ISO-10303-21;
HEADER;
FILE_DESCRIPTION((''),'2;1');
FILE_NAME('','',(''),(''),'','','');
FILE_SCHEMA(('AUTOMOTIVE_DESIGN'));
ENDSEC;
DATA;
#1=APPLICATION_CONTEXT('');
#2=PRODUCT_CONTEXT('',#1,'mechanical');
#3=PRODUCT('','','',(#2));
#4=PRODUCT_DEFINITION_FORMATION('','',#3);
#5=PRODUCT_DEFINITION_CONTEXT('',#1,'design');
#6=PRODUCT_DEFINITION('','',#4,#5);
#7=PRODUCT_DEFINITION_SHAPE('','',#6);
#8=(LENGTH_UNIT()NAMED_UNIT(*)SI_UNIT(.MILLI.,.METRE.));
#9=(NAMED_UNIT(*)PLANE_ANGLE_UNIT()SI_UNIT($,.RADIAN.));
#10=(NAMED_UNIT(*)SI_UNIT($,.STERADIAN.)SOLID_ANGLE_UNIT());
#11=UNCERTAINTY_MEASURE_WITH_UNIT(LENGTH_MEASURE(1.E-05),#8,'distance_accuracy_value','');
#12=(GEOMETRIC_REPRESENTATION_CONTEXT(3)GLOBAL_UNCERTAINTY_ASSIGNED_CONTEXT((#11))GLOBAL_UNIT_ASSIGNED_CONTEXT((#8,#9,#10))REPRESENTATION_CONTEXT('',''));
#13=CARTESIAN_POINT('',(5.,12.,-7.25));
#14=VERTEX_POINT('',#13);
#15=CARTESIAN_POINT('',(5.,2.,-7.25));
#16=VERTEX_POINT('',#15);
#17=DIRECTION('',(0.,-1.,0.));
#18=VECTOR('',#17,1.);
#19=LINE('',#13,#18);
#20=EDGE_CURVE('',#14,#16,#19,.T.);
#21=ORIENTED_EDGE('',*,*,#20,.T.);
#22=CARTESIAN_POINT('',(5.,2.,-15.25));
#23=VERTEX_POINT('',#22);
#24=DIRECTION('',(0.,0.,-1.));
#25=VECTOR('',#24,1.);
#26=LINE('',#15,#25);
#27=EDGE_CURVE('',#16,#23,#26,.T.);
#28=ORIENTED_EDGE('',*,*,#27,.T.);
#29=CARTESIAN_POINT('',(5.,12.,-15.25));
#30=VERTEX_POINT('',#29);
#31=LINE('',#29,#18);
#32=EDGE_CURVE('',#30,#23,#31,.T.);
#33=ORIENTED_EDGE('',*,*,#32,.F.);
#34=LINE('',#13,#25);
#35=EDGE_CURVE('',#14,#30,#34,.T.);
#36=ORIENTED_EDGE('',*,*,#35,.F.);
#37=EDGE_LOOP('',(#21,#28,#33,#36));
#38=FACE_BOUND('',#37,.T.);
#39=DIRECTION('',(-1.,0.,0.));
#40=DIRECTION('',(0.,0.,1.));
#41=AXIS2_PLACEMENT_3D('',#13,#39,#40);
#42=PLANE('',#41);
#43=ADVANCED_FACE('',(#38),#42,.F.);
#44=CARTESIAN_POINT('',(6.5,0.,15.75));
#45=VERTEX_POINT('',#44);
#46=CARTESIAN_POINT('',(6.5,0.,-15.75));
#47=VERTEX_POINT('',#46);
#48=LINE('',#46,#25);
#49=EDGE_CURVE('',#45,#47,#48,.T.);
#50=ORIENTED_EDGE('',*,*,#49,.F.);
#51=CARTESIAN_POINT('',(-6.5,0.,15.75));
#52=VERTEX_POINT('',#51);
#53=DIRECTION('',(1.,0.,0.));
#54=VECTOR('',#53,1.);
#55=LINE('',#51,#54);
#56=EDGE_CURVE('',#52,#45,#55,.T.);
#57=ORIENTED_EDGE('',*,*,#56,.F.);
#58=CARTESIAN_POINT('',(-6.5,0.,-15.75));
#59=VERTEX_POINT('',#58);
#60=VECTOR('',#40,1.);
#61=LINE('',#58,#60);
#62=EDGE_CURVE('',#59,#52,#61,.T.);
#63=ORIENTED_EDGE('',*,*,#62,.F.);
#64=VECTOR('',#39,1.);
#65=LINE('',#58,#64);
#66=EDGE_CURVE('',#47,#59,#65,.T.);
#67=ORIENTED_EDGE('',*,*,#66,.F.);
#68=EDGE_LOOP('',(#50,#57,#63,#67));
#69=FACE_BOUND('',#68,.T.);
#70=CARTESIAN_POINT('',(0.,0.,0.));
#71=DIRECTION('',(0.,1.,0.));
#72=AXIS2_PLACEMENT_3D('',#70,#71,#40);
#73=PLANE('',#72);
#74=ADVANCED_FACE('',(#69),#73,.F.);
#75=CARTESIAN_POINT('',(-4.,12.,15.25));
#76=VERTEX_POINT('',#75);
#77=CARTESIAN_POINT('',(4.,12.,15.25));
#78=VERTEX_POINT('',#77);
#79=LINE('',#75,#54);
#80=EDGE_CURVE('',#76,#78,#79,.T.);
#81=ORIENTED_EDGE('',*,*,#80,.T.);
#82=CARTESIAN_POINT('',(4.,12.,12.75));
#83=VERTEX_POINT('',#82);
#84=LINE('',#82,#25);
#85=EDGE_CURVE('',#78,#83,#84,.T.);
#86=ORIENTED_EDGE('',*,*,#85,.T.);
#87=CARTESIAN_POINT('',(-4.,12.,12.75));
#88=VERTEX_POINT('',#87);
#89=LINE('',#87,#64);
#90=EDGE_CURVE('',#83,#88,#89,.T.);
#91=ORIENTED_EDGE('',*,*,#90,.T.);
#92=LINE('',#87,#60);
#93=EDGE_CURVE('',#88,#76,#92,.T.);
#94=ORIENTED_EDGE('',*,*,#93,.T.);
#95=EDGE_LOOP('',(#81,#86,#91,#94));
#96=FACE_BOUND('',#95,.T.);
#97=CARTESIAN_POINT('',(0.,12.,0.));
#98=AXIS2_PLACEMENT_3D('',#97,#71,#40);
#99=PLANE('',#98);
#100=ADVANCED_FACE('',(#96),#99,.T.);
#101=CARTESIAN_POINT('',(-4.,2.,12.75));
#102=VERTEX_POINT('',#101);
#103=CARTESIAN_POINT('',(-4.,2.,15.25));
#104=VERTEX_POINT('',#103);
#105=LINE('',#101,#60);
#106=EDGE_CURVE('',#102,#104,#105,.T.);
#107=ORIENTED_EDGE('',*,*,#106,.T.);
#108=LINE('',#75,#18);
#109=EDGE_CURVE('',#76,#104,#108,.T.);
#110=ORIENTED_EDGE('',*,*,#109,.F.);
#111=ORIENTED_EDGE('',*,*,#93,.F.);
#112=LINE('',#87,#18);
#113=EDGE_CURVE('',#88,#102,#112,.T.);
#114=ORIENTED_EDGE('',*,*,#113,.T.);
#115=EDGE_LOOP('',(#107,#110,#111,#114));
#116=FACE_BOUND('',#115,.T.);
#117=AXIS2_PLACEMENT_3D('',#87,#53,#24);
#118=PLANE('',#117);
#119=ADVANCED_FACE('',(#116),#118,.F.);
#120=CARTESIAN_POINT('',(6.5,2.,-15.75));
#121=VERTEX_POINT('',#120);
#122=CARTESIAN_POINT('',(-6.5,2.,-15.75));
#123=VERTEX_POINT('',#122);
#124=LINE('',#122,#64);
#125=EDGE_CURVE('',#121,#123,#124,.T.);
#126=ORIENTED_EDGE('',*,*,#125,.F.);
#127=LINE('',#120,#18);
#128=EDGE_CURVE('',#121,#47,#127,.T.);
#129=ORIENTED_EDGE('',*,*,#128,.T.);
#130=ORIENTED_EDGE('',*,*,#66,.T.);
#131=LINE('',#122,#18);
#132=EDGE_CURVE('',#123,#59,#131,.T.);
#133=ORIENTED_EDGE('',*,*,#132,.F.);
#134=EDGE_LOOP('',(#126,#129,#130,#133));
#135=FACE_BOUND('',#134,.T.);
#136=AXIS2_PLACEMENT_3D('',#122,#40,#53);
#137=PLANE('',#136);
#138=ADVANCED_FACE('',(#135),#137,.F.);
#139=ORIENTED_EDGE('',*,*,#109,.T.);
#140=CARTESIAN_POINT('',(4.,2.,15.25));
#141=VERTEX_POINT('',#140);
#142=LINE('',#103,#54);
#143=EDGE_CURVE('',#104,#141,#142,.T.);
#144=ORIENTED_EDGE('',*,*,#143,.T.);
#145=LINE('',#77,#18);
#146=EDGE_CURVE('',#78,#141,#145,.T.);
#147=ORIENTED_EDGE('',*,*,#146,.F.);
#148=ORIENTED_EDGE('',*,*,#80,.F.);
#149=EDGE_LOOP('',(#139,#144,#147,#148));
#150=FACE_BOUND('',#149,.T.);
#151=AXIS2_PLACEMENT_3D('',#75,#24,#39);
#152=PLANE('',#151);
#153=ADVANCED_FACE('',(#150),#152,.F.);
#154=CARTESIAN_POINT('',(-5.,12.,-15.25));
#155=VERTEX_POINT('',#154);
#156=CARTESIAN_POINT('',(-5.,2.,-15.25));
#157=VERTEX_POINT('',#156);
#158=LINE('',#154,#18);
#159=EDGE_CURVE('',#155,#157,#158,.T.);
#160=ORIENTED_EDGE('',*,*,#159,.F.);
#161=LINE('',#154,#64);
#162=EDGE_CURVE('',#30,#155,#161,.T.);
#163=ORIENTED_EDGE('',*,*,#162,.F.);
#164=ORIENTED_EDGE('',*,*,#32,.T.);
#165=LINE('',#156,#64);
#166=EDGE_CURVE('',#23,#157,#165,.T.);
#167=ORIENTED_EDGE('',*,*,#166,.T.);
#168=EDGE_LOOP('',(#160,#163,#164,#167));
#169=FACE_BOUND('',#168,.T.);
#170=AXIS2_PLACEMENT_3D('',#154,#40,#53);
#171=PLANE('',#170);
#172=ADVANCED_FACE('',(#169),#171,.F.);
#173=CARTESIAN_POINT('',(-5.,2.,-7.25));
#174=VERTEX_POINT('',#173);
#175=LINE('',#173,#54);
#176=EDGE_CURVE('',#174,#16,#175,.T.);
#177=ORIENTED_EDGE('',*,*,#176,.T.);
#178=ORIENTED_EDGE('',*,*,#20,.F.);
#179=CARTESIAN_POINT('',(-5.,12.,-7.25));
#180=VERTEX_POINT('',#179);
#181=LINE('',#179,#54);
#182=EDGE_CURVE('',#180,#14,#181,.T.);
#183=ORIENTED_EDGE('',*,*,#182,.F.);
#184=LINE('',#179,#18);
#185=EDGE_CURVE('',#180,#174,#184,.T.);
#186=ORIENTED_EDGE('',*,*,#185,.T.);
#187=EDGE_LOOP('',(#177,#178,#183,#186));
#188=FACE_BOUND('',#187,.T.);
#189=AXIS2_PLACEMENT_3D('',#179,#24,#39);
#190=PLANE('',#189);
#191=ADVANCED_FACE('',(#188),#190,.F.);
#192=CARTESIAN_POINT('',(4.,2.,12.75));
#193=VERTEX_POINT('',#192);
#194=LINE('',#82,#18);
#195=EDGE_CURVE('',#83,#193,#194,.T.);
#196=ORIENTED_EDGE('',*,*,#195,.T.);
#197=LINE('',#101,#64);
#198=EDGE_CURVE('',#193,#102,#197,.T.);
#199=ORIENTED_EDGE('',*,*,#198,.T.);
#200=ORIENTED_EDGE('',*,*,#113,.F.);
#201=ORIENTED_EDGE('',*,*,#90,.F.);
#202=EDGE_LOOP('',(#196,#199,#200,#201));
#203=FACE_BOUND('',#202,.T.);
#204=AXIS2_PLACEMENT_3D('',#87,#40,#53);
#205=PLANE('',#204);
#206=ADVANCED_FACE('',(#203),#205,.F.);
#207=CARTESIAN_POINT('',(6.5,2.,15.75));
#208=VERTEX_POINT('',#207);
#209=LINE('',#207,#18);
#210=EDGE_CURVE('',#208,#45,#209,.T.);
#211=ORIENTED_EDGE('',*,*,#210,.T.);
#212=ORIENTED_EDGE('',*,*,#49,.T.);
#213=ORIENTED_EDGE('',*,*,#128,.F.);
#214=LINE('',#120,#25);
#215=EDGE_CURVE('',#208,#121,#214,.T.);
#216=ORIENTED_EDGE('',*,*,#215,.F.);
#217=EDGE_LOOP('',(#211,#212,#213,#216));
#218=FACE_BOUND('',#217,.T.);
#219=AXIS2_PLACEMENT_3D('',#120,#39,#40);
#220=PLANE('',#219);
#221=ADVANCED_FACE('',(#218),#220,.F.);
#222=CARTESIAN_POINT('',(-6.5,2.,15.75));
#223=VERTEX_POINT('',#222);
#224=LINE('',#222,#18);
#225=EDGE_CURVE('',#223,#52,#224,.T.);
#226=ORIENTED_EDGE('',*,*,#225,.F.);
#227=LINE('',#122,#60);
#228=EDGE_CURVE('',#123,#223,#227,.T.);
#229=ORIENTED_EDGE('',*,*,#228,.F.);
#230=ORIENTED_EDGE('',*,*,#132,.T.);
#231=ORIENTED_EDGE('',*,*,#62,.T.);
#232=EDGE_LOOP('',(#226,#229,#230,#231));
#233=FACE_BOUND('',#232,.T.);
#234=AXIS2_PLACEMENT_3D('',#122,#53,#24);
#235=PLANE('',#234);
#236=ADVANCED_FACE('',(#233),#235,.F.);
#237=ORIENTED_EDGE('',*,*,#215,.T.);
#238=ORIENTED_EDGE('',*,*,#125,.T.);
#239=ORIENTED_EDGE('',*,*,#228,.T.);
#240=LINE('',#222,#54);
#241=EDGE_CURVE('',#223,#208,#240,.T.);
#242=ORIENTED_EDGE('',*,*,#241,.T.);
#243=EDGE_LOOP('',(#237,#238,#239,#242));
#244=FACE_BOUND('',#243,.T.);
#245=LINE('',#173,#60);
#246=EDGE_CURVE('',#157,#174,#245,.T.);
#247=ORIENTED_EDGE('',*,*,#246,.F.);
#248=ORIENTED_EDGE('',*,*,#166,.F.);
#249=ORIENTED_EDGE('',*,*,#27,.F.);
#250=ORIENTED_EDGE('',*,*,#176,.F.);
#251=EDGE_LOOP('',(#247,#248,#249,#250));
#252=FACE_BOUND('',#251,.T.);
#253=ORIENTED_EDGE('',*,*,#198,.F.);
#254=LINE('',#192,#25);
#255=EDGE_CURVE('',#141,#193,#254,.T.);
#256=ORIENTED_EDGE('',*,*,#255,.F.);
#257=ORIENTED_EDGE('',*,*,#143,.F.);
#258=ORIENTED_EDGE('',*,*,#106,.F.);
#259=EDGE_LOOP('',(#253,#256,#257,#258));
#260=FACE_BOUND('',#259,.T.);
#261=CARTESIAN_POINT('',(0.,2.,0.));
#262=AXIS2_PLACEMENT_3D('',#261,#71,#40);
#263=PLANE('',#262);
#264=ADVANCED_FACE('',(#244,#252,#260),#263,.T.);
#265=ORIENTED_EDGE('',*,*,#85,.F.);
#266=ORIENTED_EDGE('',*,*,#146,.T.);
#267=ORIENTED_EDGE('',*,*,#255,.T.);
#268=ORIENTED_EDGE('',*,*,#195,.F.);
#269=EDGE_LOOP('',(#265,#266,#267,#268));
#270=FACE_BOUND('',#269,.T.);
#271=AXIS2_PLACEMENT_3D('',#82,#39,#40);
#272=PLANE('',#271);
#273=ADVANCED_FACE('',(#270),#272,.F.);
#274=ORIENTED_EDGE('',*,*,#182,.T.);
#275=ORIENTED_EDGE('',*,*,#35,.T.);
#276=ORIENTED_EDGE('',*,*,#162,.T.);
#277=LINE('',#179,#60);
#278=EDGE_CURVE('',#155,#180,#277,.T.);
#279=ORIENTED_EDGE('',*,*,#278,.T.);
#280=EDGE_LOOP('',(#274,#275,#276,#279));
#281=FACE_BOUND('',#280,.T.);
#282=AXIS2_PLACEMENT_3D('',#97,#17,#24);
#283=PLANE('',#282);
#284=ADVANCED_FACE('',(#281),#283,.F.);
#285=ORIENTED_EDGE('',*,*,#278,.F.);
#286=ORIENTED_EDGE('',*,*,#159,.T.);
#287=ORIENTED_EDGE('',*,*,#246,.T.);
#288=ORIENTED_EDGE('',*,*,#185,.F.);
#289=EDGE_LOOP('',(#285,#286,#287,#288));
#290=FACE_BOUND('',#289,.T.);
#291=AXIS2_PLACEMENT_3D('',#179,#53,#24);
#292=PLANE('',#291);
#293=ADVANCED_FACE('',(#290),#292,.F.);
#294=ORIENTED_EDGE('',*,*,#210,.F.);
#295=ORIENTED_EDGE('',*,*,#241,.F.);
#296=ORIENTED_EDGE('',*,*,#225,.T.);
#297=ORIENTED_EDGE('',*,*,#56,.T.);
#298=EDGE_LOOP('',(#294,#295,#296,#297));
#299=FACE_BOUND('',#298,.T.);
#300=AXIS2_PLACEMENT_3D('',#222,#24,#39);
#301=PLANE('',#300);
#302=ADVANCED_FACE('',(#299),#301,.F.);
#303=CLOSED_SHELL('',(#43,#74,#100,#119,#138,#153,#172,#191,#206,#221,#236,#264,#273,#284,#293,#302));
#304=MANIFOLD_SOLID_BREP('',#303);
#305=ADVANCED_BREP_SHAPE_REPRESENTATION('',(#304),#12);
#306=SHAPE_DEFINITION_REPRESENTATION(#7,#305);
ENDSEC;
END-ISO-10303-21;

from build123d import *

# Parameters (mm, degrees)
ESBO_O1_W                = 13
ESBO_O1_H                = 31.5
RESSALTO_EXTRUS_O1_DEPTH = 2
ESBO_O2_W                = 10
ESBO_O2_H                = 8
ESBO_O2_W_2              = 8
ESBO_O2_H_2              = 2.5
RESSALTO_EXTRUS_O2_DEPTH = 10


with BuildPart() as part:
    # Esboço1 → Ressalto-extrusão1 (new body)
    with BuildSketch(Plane(origin=(0, 0, 0), x_dir=(1, 0, 0), z_dir=(0, 1, 0))):
        Rectangle(ESBO_O1_W, ESBO_O1_H)
    extrude(amount=RESSALTO_EXTRUS_O1_DEPTH)

    # Esboço2 → Ressalto-extrusão2 (add)
    with BuildSketch(Plane(origin=(0, 2, 0), x_dir=(1, 0, 0), z_dir=(0, 1, 0))):
        with Locations((0, 11.25)):
            Rectangle(ESBO_O2_W, ESBO_O2_H)
        with Locations((0, -14)):
            Rectangle(ESBO_O2_W_2, ESBO_O2_H_2)
    extrude(amount=RESSALTO_EXTRUS_O2_DEPTH)


solid = part.part
